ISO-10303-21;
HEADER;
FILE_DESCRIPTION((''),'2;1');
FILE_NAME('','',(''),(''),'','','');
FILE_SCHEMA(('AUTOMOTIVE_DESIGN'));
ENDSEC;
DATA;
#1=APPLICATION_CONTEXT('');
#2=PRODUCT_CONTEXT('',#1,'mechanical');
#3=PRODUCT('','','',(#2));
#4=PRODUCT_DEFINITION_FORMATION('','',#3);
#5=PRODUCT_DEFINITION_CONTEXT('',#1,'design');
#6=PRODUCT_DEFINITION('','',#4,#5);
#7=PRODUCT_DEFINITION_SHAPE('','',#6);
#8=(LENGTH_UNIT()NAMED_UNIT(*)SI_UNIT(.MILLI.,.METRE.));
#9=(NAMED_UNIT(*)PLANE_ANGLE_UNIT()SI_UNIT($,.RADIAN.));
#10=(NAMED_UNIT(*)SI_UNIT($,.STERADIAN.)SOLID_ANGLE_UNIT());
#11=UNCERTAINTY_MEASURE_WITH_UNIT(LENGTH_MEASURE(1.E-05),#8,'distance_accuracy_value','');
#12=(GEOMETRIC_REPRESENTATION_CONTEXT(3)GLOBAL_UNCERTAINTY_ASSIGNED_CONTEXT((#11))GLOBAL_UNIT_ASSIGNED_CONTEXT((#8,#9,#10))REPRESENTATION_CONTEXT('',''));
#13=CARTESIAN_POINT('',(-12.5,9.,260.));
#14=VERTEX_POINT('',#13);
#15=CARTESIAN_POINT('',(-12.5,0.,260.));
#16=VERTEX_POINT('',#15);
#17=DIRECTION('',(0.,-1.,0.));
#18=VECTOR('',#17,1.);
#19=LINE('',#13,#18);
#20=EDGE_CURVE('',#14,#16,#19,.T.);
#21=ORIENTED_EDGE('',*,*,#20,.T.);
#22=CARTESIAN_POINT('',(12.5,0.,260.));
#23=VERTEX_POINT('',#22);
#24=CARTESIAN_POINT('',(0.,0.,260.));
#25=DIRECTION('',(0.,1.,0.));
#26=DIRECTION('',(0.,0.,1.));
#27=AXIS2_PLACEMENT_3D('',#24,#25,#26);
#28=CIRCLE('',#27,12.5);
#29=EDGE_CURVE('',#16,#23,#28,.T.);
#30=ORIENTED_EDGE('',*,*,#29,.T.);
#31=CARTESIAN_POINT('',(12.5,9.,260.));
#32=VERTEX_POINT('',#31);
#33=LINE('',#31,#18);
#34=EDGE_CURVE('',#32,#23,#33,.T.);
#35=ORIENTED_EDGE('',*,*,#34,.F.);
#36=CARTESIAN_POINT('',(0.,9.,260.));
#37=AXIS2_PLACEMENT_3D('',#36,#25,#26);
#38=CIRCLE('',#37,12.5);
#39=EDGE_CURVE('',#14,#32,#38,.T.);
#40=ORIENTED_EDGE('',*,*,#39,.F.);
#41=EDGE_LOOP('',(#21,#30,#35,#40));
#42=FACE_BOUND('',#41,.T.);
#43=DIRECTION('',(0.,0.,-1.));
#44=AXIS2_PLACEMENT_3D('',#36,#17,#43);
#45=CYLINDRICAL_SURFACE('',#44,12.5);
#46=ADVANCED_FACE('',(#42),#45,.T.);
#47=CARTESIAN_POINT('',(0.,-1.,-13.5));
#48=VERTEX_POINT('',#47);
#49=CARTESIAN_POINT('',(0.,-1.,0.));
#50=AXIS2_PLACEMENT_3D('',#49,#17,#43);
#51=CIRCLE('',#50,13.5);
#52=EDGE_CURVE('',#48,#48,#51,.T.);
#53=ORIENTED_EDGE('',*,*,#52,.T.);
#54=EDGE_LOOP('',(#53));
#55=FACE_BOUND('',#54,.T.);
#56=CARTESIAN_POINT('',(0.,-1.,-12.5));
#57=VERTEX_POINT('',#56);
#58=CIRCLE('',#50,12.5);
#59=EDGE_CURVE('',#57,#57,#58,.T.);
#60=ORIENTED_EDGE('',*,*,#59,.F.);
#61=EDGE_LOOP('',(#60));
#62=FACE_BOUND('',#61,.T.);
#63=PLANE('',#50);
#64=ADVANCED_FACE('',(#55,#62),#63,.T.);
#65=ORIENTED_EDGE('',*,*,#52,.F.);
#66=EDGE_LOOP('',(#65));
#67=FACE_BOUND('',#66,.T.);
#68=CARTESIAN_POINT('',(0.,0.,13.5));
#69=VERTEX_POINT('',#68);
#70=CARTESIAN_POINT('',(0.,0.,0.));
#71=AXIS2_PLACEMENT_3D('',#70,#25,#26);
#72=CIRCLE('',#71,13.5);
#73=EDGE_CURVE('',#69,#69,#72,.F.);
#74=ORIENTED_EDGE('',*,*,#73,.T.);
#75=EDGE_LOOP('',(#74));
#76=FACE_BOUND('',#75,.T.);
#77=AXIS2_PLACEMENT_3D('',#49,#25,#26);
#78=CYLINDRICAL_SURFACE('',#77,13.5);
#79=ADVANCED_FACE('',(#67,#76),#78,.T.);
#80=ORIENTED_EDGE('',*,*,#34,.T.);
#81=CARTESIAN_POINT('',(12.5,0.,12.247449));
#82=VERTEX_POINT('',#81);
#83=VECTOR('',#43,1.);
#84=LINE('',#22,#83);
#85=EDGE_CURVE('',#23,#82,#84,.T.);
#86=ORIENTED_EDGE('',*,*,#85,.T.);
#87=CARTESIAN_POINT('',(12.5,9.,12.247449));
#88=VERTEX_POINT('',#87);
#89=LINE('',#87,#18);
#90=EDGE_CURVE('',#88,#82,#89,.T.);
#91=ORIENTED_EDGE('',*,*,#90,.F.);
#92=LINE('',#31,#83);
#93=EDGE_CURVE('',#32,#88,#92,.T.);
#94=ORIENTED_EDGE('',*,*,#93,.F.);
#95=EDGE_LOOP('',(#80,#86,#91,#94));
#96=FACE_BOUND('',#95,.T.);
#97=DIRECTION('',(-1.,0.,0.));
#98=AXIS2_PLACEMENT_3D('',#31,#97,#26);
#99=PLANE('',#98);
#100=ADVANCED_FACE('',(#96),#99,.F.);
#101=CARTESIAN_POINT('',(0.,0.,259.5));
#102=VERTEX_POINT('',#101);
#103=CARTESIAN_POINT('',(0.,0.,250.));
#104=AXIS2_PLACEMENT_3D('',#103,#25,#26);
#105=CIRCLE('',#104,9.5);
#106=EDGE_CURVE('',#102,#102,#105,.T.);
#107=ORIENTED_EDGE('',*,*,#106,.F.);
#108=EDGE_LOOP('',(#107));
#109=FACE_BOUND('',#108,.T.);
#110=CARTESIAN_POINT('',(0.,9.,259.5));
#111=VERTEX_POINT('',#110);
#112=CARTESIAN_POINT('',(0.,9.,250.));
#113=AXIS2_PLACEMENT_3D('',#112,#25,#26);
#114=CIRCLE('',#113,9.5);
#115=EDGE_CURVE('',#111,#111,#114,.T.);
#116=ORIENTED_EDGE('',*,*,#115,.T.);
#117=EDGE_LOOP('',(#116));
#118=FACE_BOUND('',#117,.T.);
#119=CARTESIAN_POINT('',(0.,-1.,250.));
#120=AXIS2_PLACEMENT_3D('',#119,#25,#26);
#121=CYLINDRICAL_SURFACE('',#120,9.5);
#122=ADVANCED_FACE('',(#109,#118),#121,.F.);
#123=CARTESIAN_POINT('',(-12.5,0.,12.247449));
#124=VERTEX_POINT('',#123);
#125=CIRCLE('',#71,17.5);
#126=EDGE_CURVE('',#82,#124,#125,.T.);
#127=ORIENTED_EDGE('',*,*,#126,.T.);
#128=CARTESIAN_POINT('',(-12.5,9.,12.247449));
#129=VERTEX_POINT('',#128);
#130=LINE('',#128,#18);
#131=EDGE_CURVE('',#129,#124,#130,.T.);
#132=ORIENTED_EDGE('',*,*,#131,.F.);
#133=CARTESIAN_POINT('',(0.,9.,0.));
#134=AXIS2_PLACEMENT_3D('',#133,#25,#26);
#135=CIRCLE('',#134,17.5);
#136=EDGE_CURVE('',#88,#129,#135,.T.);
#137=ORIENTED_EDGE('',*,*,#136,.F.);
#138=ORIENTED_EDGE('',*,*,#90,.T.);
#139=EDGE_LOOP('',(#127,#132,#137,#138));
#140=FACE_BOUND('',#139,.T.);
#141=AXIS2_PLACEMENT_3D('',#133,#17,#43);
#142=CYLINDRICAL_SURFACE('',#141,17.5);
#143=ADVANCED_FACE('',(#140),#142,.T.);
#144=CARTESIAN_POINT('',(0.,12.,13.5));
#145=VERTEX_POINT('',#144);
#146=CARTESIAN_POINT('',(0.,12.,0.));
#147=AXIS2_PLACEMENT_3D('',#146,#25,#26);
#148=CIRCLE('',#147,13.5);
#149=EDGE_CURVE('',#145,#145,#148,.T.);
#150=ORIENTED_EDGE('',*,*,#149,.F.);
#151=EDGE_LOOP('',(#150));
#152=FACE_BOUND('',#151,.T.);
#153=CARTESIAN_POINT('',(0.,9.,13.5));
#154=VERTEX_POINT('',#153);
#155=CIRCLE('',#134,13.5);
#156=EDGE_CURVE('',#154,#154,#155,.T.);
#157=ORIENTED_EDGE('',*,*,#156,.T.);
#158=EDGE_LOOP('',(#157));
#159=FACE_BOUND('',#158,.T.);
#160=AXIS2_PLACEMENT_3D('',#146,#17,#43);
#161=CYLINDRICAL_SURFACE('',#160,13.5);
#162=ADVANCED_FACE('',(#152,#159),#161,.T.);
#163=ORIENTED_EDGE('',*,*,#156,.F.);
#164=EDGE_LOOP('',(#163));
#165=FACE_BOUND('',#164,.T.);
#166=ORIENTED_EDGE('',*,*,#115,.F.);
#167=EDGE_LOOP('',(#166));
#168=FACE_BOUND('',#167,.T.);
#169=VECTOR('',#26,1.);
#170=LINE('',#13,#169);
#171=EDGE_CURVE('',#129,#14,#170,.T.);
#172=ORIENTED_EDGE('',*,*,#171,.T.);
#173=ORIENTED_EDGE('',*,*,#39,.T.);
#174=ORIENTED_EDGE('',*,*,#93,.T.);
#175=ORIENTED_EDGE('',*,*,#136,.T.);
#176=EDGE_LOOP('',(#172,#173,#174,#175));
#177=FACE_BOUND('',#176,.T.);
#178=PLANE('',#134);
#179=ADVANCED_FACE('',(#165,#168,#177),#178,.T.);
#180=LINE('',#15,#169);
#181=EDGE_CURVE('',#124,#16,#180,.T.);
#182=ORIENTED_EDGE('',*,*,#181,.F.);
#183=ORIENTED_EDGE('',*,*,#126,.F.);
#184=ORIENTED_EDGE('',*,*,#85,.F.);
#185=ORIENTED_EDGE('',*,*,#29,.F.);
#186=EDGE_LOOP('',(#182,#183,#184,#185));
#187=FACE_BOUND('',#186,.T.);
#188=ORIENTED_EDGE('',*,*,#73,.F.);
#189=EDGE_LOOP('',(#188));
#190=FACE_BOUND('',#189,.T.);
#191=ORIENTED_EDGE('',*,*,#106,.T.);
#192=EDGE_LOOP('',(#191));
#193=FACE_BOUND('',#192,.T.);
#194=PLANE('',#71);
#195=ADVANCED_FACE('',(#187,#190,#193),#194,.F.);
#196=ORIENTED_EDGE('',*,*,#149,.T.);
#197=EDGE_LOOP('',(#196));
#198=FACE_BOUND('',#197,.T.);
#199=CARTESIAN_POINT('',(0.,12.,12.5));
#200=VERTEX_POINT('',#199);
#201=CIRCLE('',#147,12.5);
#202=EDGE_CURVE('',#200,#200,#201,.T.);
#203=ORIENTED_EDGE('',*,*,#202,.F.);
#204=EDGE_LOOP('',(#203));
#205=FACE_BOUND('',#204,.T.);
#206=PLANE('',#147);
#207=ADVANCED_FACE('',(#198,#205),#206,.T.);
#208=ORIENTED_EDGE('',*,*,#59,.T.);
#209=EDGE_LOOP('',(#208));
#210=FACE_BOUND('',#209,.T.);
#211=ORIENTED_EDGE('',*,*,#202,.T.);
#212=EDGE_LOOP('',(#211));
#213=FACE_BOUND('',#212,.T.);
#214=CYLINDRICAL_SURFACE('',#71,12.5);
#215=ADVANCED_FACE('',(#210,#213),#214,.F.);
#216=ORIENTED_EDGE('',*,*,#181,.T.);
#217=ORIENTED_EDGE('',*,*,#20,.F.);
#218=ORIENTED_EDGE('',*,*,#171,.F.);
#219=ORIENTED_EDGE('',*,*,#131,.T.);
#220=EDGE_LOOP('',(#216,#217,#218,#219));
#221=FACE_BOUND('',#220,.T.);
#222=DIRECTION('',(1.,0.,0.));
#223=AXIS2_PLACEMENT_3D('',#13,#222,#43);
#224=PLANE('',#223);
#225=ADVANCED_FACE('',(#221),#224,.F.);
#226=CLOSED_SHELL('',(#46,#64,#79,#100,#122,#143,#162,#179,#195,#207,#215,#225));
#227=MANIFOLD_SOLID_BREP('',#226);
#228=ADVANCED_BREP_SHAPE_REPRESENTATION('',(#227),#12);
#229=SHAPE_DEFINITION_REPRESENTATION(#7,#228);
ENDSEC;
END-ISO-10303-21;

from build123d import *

# Parameters (mm, degrees)
EXTRUDE_1_DEPTH     = 9
SKETCH_2_R          = 12.5
CUT_EXTRUDE_1_DEPTH = 10
SKETCH_3_R          = 13.5
SKETCH_3_R_2        = 12.5
EXTRUDE_2_DEPTH     = 3
SKETCH_4_R          = 13.5
SKETCH_4_R_2        = 12.5
EXTRUDE_3_DEPTH     = 1
SKETCH_5_R          = 9.5
CUT_EXTRUDE_2_DEPTH = 11


with BuildPart() as part:
    # 스케치1 → 보스-돌출1 (new body)
    with BuildSketch(Plane(origin=(0, 0, 0), x_dir=(1, 0, 0), z_dir=(0, 1, 0))):
        with BuildLine():
            Line((-12.5, -260), (-12.5, -12.247448714))
            ThreePointArc((-12.5, -12.247448714), (0, 17.5), (12.5, -12.247448714))
            Line((12.5, -12.247448714), (12.5, -260))
            ThreePointArc((12.5, -260), (0, -272.5), (-12.5, -260))
        make_face()
    extrude(amount=EXTRUDE_1_DEPTH)

    # 스케치2 → 컷-돌출1 (cut, through all)
    with BuildSketch(Plane(origin=(0, 9, 0), x_dir=(1, 0, 0), z_dir=(0, 1, 0))):
        Circle(SKETCH_2_R)
    extrude(amount=-CUT_EXTRUDE_1_DEPTH, mode=Mode.SUBTRACT)

    # 스케치3 → 보스-돌출2 (add)
    with BuildSketch(Plane(origin=(0, 9, 0), x_dir=(1, 0, 0), z_dir=(0, 1, 0))):
        Circle(SKETCH_3_R)
        Circle(SKETCH_3_R_2, mode=Mode.SUBTRACT)
    extrude(amount=EXTRUDE_2_DEPTH)

    # 스케치4 → 보스-돌출3 (add)
    with BuildSketch(Plane.XZ):
        Circle(SKETCH_4_R)
        Circle(SKETCH_4_R_2, mode=Mode.SUBTRACT)
    extrude(amount=EXTRUDE_3_DEPTH)

    # 스케치5 → 컷-돌출2 (cut, through all)
    with BuildSketch(Plane(origin=(0, 9, 0), x_dir=(1, 0, 0), z_dir=(0, 1, 0))):
        with Locations((0, -250)):
            Circle(SKETCH_5_R)
    extrude(amount=-CUT_EXTRUDE_2_DEPTH, mode=Mode.SUBTRACT)


solid = part.part
